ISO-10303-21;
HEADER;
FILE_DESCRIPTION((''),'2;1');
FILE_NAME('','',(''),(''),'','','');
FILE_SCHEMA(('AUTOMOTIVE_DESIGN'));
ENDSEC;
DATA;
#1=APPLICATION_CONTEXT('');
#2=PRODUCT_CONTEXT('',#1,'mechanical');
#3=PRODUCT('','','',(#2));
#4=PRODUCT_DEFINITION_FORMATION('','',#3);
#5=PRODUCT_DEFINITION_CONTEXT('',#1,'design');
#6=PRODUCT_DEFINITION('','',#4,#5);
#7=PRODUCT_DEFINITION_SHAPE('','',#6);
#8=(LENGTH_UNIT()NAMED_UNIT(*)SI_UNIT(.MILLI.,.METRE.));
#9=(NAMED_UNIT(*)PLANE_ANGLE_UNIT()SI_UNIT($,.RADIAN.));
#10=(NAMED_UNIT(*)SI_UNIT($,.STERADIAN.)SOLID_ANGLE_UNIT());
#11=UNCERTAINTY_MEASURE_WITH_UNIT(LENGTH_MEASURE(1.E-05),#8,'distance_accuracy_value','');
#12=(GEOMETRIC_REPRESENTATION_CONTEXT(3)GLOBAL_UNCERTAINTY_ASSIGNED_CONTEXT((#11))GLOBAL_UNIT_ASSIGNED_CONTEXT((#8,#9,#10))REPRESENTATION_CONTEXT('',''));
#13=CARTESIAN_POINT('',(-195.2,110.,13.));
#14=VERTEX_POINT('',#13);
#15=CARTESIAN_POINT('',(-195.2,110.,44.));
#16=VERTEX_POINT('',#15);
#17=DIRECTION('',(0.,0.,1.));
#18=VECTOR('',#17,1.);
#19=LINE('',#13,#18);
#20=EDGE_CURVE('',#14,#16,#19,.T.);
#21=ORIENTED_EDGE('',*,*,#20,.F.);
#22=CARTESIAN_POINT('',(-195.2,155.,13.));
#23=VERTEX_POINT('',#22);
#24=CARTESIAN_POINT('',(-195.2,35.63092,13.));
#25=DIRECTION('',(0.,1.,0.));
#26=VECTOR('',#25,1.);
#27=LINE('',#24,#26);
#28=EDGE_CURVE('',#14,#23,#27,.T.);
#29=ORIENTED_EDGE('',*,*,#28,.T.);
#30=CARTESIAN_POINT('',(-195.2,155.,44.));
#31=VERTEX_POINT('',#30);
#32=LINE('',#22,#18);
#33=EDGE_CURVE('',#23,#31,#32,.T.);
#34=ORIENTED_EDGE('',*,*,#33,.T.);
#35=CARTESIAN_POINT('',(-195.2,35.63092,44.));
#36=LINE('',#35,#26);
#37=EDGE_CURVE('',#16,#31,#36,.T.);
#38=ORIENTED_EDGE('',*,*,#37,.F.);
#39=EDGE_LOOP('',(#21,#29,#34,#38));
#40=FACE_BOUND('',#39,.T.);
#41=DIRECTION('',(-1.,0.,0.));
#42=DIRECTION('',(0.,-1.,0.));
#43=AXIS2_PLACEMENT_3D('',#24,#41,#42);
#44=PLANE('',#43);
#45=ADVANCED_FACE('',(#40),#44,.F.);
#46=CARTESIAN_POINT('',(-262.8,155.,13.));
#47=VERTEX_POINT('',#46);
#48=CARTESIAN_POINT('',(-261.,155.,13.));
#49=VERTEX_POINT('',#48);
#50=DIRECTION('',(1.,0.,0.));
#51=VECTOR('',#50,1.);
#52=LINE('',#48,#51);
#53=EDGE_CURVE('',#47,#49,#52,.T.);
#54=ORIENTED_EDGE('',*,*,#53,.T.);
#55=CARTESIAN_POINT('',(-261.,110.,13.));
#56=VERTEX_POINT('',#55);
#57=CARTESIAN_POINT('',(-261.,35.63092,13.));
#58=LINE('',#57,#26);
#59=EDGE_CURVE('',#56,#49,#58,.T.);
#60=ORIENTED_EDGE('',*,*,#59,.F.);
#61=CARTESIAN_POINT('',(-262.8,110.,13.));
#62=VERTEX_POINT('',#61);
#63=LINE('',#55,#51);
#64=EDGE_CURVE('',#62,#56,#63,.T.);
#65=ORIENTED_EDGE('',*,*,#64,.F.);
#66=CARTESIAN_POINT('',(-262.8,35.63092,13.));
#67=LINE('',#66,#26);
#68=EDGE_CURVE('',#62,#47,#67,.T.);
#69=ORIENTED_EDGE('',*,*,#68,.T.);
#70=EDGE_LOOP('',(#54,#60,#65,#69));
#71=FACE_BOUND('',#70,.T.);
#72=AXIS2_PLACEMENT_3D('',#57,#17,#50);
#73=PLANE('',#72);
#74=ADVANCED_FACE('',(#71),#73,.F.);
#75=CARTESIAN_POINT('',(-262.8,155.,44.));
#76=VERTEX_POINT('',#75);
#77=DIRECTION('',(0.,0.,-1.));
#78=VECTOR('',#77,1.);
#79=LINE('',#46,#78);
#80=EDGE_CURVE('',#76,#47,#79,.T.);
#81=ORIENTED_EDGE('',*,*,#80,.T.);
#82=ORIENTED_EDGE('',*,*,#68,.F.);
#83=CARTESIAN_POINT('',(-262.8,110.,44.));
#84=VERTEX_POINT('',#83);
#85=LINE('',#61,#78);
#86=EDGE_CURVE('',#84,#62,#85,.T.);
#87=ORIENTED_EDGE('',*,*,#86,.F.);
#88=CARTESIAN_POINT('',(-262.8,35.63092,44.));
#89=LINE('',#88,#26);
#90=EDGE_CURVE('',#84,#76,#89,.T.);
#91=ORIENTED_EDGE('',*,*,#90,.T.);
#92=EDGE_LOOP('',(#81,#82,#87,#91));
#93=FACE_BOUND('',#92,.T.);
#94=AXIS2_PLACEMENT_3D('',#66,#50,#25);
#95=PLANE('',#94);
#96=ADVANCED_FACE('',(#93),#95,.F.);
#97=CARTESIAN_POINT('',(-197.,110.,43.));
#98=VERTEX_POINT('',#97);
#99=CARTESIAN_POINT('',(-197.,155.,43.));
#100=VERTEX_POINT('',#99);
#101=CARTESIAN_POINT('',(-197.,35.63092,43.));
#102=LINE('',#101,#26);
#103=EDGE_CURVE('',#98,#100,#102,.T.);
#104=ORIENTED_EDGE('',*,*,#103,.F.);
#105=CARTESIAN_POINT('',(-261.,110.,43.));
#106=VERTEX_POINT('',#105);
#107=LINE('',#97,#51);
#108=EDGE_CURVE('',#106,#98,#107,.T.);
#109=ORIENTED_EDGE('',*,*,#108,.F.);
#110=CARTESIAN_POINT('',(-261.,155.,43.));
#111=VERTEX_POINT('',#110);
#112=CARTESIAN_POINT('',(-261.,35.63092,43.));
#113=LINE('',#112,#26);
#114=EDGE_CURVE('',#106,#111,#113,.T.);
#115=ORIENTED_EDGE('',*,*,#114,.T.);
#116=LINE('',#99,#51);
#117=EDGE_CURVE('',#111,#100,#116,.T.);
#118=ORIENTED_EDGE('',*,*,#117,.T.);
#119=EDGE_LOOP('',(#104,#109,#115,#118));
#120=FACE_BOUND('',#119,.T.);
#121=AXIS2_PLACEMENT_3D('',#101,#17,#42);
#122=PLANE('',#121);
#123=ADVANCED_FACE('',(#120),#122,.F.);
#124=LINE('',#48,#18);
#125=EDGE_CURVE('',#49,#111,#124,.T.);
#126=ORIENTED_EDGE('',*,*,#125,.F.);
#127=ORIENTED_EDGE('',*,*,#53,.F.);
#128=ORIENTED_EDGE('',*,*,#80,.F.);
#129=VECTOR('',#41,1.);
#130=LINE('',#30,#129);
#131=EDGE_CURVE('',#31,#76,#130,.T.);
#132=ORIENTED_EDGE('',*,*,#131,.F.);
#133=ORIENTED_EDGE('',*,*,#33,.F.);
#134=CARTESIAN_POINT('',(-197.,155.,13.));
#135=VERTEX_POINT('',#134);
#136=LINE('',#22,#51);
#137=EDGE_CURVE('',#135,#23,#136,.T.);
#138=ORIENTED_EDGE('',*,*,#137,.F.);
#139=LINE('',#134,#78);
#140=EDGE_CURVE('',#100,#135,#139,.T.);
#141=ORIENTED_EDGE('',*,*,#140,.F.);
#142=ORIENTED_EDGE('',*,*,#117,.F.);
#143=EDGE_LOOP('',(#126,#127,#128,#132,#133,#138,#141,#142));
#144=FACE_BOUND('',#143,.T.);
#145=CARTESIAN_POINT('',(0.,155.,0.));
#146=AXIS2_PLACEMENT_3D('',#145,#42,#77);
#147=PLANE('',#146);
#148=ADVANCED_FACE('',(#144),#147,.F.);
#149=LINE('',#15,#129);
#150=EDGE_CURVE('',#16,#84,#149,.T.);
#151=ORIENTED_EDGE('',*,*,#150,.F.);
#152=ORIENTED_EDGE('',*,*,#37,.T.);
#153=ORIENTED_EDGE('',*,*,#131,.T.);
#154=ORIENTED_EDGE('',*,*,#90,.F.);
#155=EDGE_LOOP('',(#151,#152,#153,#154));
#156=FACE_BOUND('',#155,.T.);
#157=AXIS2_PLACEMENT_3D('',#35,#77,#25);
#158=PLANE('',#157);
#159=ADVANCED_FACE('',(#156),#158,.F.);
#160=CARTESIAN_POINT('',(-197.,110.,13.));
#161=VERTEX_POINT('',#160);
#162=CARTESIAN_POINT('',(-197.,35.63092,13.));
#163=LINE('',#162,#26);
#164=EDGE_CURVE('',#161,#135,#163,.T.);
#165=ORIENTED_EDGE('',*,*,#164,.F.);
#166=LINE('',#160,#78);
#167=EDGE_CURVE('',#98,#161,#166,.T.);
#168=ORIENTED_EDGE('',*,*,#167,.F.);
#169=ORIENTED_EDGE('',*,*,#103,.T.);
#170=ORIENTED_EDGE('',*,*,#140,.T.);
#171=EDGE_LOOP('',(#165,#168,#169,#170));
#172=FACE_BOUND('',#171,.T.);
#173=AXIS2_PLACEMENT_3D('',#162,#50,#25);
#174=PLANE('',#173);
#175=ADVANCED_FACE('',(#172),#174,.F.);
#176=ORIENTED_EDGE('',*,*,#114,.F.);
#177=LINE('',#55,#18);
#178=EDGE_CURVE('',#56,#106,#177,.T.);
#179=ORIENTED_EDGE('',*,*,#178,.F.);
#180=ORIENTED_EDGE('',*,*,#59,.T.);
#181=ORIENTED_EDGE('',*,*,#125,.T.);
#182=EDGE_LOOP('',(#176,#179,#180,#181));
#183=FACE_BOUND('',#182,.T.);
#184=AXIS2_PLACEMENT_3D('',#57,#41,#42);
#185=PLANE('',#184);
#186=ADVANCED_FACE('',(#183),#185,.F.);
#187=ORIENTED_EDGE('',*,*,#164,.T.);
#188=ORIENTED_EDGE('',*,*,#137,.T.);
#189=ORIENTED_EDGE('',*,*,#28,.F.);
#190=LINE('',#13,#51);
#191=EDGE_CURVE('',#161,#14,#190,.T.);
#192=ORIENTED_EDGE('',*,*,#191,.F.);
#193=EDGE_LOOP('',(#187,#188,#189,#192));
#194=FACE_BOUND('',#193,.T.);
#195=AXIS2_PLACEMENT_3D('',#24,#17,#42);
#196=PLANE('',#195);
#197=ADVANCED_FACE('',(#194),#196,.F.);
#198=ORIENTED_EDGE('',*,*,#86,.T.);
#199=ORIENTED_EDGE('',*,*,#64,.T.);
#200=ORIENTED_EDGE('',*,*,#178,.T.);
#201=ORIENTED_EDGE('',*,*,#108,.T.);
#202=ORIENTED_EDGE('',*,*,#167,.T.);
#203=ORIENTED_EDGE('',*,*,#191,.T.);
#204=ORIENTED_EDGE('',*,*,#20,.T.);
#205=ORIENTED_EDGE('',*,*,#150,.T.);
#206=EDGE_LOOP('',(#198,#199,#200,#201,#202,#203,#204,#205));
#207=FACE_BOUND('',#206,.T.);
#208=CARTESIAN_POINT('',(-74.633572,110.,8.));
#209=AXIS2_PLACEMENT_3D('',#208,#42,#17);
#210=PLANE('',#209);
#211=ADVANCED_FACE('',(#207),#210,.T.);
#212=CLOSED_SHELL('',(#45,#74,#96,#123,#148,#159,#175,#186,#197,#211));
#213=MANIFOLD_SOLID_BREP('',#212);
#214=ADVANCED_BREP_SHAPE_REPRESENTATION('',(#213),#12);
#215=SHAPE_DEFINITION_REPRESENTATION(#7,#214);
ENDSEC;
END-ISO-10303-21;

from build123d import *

# Parameters (mm, degrees)
BOSS_EXTRUDE1_DEPTH = 45


with BuildPart() as part:
    # Sketch1 → Boss-Extrude1 (new body)
    with BuildSketch(Plane.XZ.offset(-155)):
        Polygon((-195.2, 13), (-197, 13), (-197, 43), (-261, 43), (-261, 13), (-262.8, 13), (-262.8, 44), (-195.2, 44), align=None)
    extrude(amount=BOSS_EXTRUDE1_DEPTH)


solid = part.part
